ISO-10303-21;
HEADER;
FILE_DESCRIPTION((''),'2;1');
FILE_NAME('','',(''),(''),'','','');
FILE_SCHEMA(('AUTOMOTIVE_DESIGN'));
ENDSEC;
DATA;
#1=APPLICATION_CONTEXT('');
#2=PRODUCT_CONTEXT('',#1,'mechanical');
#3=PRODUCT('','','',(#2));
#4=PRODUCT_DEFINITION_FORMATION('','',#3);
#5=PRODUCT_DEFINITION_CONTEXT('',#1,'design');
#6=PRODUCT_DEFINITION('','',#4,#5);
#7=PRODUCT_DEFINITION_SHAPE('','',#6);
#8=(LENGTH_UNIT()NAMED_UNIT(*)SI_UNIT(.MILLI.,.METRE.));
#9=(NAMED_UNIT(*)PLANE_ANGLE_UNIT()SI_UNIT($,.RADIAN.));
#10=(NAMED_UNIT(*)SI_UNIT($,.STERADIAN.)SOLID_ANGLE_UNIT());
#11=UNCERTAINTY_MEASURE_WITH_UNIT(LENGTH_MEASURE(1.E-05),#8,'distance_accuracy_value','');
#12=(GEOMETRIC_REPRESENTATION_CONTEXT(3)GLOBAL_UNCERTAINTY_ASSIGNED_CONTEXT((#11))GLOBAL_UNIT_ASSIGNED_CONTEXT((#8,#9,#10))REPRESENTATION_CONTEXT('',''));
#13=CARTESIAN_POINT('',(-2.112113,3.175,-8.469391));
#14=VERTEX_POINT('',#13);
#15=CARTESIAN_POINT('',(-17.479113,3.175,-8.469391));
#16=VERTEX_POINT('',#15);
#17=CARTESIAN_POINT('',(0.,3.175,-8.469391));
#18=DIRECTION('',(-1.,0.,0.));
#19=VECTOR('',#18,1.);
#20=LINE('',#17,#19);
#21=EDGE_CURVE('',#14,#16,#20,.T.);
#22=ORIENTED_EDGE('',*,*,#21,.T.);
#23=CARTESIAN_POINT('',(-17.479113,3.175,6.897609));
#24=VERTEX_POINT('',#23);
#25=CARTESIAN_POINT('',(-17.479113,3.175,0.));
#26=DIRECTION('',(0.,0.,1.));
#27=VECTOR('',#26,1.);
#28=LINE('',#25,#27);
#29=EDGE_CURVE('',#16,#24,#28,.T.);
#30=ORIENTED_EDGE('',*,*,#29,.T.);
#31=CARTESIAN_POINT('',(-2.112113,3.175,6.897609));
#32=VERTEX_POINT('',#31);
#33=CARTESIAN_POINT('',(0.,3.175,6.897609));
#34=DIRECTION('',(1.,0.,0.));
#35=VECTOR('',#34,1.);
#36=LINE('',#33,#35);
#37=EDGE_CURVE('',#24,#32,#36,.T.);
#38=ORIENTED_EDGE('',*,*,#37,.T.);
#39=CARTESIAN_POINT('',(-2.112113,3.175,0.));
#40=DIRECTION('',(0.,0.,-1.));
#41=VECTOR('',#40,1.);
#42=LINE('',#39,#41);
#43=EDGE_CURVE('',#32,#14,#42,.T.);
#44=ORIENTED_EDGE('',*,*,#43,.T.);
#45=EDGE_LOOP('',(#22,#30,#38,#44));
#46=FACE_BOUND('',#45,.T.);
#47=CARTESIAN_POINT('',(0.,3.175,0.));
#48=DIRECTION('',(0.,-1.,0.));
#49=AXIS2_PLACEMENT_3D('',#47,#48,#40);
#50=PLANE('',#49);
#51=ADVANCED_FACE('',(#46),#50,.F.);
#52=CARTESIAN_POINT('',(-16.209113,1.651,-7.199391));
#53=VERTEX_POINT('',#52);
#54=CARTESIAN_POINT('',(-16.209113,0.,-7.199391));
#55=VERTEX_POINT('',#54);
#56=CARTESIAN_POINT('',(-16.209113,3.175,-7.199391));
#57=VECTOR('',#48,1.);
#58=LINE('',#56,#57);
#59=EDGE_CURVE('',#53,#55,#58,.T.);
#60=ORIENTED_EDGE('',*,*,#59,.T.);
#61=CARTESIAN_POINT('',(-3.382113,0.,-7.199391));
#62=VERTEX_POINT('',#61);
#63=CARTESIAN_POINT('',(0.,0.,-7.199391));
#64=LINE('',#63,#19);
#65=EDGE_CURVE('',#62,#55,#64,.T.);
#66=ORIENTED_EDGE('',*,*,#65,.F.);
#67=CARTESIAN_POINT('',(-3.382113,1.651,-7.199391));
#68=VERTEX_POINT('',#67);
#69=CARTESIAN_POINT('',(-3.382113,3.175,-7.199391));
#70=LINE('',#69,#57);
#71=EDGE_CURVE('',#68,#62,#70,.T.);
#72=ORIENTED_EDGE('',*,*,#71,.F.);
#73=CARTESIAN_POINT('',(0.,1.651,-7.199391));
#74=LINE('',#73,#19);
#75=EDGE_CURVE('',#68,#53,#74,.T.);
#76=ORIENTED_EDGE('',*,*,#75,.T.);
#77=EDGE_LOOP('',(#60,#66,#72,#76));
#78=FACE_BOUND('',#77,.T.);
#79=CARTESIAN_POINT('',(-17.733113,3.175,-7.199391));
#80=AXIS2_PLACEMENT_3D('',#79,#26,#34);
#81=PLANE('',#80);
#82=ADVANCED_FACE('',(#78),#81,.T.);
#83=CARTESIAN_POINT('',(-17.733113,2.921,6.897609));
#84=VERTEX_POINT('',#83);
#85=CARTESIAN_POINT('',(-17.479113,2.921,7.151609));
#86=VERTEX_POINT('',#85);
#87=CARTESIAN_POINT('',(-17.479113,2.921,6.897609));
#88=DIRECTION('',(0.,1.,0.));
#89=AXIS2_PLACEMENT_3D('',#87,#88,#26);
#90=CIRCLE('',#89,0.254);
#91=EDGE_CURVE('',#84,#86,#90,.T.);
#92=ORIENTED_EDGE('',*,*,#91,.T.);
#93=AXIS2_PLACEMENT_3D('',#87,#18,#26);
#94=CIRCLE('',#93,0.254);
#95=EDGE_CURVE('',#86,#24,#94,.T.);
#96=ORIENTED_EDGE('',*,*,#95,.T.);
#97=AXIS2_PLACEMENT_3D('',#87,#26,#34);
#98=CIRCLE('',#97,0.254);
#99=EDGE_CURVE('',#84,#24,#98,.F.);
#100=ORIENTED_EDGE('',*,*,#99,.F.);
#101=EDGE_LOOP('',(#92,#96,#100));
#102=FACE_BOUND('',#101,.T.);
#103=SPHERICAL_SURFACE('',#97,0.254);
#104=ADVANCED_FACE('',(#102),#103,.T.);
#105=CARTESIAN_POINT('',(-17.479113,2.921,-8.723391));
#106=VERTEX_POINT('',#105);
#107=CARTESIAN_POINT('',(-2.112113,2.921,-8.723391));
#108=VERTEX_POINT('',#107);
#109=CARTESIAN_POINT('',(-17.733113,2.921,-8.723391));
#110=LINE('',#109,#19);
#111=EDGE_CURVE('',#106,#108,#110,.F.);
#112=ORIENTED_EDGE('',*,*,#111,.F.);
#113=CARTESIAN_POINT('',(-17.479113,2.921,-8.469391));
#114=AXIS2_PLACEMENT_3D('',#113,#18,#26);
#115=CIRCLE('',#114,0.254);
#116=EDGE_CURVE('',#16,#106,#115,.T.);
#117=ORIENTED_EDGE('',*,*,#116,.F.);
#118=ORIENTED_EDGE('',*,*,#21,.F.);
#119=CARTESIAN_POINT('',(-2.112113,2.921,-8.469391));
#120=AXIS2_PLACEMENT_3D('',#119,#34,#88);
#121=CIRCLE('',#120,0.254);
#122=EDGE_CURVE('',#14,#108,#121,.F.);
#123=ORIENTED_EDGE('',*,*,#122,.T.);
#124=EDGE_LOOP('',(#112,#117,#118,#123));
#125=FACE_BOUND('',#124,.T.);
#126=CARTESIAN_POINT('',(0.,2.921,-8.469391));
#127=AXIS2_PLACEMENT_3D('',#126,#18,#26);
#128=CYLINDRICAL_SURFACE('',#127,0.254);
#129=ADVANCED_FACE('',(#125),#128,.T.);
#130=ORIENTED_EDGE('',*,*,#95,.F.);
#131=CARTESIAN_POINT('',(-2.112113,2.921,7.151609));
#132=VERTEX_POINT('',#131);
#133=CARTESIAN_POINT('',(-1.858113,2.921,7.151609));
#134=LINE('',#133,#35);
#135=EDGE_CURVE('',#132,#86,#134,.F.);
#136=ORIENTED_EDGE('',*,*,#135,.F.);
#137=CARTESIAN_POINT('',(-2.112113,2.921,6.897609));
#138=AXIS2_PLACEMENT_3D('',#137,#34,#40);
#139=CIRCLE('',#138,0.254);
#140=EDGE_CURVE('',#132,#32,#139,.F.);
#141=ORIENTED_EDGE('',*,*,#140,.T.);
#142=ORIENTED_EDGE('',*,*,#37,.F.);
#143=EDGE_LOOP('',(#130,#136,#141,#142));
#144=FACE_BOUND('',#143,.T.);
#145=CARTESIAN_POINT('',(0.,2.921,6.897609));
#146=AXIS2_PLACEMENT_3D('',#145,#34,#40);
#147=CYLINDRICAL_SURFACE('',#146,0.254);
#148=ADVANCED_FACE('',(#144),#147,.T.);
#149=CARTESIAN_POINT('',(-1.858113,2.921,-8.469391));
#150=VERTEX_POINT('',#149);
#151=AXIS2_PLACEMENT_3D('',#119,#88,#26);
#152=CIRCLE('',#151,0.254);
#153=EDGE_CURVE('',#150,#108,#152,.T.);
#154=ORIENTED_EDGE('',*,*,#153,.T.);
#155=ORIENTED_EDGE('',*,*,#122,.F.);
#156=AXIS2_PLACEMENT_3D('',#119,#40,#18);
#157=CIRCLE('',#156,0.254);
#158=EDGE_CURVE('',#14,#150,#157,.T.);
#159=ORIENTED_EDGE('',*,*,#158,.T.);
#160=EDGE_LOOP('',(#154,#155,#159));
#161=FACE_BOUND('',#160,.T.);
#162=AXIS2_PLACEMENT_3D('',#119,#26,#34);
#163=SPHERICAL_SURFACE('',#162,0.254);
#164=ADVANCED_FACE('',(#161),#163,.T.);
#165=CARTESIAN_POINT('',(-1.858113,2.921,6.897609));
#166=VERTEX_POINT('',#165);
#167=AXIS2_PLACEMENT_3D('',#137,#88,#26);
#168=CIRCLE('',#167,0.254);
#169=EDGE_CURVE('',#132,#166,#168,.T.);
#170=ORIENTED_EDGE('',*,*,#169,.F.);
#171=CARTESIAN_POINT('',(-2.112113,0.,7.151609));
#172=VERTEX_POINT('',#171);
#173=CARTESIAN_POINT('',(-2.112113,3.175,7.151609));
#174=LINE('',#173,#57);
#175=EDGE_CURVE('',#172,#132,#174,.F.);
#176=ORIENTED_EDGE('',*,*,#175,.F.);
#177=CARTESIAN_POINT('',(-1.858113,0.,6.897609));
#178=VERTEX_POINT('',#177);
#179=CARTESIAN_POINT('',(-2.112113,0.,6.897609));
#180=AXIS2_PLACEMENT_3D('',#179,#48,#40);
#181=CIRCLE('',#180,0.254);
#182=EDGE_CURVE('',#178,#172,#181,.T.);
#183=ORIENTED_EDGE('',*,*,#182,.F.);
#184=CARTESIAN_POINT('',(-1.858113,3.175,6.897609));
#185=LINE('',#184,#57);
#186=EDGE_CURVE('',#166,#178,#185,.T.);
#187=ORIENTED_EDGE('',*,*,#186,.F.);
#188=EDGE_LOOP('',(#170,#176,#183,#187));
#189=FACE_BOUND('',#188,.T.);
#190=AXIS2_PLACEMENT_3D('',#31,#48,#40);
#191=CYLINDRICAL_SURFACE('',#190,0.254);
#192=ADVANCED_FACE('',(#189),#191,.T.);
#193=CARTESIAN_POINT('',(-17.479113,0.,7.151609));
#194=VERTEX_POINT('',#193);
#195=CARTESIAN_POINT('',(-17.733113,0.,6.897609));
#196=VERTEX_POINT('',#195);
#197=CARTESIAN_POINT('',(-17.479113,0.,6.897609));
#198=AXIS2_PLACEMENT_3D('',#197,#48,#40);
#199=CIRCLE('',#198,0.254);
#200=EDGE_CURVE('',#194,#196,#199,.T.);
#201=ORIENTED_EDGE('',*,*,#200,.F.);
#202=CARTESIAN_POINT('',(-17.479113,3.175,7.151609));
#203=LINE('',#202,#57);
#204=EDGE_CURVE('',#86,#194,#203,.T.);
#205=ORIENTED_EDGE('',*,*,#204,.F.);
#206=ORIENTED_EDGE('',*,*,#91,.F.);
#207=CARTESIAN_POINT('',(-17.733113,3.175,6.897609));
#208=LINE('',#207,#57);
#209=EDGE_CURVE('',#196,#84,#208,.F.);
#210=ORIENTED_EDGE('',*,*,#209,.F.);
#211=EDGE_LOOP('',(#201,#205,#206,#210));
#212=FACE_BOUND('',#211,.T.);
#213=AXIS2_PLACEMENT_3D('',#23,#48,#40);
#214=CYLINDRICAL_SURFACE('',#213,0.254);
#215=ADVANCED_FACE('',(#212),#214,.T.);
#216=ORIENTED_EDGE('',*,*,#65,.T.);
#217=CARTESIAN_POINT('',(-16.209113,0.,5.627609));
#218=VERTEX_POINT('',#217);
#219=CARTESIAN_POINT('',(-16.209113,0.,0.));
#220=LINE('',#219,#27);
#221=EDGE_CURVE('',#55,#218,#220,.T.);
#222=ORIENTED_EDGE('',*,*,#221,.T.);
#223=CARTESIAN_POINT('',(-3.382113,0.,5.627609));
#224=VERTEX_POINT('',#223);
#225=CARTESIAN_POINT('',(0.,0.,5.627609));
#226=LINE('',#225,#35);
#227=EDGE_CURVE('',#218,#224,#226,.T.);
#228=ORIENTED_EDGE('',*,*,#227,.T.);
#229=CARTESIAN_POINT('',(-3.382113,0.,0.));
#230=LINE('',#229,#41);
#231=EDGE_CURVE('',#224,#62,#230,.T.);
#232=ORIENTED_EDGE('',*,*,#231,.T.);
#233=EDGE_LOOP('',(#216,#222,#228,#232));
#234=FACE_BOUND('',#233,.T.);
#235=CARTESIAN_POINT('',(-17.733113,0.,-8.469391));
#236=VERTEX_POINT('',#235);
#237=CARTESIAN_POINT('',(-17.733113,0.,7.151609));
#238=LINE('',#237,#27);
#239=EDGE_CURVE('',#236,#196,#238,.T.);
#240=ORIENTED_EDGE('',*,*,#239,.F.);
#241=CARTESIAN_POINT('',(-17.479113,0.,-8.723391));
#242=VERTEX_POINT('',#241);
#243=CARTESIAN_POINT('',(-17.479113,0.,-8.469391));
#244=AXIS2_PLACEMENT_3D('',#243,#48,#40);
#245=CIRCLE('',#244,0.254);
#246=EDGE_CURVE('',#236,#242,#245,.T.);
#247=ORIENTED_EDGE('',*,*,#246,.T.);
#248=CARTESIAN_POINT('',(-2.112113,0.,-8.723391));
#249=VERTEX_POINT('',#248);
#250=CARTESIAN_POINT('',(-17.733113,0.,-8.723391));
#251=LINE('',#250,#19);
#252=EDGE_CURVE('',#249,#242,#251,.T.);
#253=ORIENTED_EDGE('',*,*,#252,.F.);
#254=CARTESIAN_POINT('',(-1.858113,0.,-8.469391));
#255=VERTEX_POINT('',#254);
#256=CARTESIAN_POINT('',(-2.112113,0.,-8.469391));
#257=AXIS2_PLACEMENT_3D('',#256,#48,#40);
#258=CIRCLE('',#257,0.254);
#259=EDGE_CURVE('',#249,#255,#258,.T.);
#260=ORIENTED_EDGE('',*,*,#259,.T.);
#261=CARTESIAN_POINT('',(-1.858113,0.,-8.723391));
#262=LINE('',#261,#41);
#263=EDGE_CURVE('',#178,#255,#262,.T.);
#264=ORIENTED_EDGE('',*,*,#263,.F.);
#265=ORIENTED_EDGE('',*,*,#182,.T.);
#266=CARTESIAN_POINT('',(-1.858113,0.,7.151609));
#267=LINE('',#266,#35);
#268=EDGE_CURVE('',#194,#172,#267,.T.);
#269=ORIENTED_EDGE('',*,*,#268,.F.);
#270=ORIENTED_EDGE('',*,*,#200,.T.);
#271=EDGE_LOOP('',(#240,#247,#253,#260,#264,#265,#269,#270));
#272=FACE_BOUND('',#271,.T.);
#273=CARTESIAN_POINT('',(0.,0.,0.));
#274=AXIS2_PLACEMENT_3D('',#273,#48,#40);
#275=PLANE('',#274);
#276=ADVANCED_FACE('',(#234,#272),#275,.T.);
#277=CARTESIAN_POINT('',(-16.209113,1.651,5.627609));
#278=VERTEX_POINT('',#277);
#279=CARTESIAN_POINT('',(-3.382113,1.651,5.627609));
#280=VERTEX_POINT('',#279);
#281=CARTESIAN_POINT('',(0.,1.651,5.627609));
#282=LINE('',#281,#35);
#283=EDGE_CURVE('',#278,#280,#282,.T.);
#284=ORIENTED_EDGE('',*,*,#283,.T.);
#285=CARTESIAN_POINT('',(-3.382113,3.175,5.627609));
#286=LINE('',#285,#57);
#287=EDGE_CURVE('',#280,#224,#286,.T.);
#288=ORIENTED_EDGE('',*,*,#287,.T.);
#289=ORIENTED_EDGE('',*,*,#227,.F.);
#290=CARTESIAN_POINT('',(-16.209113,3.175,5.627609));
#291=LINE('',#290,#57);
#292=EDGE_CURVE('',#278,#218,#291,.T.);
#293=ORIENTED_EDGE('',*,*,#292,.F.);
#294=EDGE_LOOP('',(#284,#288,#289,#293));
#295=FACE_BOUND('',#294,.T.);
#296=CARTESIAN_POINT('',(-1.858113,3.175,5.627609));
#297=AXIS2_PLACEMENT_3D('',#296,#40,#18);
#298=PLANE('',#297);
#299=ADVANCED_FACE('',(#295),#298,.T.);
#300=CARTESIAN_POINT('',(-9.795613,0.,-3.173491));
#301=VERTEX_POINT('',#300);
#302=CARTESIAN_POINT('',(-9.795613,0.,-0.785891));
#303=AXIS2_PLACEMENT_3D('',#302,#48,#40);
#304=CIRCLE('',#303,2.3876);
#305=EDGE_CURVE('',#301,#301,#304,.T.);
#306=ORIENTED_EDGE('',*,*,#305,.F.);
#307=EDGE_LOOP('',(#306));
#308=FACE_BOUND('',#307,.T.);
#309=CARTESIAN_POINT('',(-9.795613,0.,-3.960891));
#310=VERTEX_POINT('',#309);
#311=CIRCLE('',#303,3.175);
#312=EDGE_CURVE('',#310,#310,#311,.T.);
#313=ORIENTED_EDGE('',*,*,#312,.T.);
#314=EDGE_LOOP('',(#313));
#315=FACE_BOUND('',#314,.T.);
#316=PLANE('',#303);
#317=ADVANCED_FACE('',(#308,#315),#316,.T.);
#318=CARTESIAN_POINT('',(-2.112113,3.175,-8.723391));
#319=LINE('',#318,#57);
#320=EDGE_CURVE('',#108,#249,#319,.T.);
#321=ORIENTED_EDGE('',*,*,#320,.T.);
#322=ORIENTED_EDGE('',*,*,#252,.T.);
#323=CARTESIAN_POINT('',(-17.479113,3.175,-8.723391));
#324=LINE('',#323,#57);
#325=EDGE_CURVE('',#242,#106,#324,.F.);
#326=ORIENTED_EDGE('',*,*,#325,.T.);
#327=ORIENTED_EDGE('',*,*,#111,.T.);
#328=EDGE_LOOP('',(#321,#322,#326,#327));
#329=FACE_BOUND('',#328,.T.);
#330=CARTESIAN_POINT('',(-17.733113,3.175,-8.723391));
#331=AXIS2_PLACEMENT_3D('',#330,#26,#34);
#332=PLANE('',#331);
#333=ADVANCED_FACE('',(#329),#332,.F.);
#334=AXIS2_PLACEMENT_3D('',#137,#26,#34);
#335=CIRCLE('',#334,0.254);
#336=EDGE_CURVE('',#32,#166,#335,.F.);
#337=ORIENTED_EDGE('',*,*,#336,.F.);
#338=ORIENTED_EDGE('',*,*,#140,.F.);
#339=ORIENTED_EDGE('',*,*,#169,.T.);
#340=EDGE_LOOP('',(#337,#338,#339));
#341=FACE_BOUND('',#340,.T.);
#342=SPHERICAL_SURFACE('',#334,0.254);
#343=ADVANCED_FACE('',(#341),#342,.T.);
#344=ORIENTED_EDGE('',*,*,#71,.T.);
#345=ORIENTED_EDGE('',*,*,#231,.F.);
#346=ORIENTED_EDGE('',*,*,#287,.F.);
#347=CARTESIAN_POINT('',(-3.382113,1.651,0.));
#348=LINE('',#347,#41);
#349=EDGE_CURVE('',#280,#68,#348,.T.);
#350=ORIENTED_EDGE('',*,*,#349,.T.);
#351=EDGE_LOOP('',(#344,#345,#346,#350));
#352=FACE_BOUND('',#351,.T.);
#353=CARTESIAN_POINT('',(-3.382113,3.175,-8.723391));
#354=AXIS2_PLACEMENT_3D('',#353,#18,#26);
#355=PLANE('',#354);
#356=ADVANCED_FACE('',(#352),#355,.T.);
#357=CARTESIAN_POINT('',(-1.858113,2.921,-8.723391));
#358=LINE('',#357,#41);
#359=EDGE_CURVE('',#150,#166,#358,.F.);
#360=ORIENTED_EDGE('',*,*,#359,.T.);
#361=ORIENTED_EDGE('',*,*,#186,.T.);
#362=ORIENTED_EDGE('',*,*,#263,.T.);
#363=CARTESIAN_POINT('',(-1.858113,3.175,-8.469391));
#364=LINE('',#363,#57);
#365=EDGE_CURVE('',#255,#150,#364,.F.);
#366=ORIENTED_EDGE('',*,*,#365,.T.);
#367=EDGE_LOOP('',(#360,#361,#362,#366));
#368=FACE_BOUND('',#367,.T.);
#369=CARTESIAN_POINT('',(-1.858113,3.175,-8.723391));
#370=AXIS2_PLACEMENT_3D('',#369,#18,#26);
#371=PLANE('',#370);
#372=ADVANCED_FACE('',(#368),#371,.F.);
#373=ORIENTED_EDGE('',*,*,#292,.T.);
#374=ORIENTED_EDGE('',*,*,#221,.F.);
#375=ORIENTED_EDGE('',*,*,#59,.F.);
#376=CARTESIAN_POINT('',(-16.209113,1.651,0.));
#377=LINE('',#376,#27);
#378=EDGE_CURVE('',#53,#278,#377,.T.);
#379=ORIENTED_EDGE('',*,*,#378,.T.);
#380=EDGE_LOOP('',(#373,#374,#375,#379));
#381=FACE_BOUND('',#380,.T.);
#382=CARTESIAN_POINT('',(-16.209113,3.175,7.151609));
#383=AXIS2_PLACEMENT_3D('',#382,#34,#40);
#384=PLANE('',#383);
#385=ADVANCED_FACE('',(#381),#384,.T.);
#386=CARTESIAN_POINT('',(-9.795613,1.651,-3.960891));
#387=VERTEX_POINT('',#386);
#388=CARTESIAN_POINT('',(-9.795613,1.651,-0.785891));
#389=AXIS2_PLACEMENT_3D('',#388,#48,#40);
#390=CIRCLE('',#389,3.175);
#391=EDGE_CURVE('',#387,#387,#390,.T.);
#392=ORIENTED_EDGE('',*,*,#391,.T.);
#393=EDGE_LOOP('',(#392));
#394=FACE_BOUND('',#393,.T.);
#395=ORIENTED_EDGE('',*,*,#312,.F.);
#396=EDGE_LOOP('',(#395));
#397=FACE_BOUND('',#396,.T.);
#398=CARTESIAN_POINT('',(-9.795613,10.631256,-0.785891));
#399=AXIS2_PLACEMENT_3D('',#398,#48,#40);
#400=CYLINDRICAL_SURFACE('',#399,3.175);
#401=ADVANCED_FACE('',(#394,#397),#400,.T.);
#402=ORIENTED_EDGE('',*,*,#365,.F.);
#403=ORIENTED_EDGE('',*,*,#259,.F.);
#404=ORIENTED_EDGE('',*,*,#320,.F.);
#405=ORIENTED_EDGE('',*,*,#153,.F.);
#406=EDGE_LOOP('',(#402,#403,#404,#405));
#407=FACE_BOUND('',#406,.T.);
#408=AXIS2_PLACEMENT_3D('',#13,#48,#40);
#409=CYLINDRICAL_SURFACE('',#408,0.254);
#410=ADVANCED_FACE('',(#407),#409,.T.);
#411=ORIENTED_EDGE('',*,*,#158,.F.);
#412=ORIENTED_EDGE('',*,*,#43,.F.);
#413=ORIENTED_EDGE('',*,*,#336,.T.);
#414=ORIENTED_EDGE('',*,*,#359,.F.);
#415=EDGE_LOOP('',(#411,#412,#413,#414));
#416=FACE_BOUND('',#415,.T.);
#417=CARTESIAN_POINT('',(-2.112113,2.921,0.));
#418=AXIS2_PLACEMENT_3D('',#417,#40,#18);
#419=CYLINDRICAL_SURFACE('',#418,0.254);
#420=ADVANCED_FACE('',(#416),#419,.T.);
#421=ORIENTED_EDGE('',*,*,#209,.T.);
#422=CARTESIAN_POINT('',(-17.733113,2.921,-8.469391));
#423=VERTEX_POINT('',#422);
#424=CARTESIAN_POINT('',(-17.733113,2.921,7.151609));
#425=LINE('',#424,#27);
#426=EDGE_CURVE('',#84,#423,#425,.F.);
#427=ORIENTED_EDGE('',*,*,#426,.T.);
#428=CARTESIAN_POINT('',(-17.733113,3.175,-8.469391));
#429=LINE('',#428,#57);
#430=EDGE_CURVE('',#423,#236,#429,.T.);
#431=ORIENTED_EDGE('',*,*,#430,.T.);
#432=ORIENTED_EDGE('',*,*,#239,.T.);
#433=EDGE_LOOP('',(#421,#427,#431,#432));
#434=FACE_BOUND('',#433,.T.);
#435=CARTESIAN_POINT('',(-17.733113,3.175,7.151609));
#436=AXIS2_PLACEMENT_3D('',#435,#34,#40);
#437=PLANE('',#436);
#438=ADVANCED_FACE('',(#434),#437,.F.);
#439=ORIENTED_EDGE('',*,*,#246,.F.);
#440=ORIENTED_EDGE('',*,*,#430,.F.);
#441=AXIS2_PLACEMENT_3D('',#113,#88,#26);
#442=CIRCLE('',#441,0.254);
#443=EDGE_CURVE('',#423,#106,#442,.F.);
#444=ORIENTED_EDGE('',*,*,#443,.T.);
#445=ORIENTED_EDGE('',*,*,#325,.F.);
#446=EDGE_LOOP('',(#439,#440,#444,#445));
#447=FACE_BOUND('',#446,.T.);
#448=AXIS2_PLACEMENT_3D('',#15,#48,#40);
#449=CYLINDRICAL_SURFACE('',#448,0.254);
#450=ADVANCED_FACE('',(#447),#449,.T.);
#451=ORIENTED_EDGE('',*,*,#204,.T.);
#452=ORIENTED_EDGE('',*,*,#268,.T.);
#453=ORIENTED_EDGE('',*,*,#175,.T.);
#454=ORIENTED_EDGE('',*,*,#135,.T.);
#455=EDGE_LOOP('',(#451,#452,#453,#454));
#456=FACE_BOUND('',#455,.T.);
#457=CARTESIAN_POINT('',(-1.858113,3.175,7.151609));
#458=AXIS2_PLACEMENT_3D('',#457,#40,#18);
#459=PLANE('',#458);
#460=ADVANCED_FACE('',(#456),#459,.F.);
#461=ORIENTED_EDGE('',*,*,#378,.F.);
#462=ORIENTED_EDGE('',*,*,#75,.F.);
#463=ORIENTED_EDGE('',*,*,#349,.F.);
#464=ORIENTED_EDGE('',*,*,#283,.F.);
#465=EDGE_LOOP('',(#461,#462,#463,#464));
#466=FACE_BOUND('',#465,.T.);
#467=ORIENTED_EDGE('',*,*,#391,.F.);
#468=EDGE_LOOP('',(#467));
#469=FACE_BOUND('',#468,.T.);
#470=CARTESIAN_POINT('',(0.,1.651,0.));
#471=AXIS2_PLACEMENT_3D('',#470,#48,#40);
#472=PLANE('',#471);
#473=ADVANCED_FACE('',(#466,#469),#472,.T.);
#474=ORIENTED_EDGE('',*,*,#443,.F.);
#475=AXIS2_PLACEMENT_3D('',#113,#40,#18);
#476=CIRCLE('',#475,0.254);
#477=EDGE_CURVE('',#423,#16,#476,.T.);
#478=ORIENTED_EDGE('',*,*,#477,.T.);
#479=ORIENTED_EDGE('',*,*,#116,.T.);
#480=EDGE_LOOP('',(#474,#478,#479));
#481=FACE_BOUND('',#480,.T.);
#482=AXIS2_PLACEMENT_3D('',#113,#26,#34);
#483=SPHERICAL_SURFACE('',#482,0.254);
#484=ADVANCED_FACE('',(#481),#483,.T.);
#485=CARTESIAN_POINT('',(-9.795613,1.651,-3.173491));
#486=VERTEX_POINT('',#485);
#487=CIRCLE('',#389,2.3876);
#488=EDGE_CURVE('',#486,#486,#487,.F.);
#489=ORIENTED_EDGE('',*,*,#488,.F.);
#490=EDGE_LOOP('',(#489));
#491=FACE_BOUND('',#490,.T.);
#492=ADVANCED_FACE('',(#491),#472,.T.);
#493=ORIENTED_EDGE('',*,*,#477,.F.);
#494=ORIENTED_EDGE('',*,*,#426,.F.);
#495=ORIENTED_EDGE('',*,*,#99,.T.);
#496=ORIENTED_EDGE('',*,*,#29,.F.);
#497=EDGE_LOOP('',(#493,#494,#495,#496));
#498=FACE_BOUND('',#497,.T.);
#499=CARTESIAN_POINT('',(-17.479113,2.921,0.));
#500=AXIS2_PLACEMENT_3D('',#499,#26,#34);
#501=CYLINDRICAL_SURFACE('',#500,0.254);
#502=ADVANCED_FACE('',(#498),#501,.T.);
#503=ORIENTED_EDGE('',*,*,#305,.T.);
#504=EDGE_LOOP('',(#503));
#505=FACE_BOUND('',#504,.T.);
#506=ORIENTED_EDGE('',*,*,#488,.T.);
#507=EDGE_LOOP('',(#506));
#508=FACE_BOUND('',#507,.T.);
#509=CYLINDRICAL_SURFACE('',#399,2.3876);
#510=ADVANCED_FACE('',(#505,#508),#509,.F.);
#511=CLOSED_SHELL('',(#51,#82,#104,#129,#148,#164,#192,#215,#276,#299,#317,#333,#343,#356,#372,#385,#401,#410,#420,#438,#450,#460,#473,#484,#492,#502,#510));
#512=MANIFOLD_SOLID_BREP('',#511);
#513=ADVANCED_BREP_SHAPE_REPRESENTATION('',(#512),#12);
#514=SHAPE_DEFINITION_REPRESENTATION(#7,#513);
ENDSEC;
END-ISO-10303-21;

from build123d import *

# Parameters (mm, degrees)
SKETCH2_W           = 15.875
SKETCH2_H           = 15.875
BOSS_EXTRUDE3_DEPTH = 3.175
SHELL1_T            = -1.524
SKETCH5_R           = 3.175
SKETCH5_R_2         = 2.3876
BOSS_EXTRUDE6_DEPTH = 1.651
FILLET1_R           = 0.254


with BuildPart() as part:
    # Sketch2 → Boss-Extrude3 (new body)
    with BuildSketch(Plane(origin=(0, 0, 0), x_dir=(1, 0, 0), z_dir=(0, 1, 0))):
        with Locations((-9.795613381, 0.785891089)):
            Rectangle(SKETCH2_W, SKETCH2_H)
    extrude(amount=BOSS_EXTRUDE3_DEPTH)

    # Shell1
    shell1_openings = [part.faces().sort_by_distance(p)[0] for p in [
        (-9.795613381, 0, -0.785891089),
    ]]
    offset(amount=SHELL1_T, openings=shell1_openings, kind=Kind.INTERSECTION)

    # Sketch5 → Boss-Extrude6 (add)
    with BuildSketch(Plane.XZ):
        with Locations((-9.795613381, -0.785891089)):
            Circle(SKETCH5_R)
        with Locations((-9.795613381, -0.785891089)):
            Circle(SKETCH5_R_2, mode=Mode.SUBTRACT)
    extrude(amount=-BOSS_EXTRUDE6_DEPTH)

    # Fillet1
    fillet1_edges = [part.edges().sort_by_distance(p)[0] for p in [
        (-1.858113381, 3.175, -0.785891089),
        (-9.795613381, 3.175, -8.723391089),
        (-17.733113381, 3.175, -0.785891089),
        (-17.733113381, 1.5875, -8.723391089),
        (-1.858113381, 1.5875, -8.723391089),
        (-1.858113381, 1.5875, 7.151608911),
        (-17.733113381, 1.5875, 7.151608911),
        (-9.795613381, 3.175, 7.151608911),
    ]]
    fillet(fillet1_edges, radius=FILLET1_R)


solid = part.part
